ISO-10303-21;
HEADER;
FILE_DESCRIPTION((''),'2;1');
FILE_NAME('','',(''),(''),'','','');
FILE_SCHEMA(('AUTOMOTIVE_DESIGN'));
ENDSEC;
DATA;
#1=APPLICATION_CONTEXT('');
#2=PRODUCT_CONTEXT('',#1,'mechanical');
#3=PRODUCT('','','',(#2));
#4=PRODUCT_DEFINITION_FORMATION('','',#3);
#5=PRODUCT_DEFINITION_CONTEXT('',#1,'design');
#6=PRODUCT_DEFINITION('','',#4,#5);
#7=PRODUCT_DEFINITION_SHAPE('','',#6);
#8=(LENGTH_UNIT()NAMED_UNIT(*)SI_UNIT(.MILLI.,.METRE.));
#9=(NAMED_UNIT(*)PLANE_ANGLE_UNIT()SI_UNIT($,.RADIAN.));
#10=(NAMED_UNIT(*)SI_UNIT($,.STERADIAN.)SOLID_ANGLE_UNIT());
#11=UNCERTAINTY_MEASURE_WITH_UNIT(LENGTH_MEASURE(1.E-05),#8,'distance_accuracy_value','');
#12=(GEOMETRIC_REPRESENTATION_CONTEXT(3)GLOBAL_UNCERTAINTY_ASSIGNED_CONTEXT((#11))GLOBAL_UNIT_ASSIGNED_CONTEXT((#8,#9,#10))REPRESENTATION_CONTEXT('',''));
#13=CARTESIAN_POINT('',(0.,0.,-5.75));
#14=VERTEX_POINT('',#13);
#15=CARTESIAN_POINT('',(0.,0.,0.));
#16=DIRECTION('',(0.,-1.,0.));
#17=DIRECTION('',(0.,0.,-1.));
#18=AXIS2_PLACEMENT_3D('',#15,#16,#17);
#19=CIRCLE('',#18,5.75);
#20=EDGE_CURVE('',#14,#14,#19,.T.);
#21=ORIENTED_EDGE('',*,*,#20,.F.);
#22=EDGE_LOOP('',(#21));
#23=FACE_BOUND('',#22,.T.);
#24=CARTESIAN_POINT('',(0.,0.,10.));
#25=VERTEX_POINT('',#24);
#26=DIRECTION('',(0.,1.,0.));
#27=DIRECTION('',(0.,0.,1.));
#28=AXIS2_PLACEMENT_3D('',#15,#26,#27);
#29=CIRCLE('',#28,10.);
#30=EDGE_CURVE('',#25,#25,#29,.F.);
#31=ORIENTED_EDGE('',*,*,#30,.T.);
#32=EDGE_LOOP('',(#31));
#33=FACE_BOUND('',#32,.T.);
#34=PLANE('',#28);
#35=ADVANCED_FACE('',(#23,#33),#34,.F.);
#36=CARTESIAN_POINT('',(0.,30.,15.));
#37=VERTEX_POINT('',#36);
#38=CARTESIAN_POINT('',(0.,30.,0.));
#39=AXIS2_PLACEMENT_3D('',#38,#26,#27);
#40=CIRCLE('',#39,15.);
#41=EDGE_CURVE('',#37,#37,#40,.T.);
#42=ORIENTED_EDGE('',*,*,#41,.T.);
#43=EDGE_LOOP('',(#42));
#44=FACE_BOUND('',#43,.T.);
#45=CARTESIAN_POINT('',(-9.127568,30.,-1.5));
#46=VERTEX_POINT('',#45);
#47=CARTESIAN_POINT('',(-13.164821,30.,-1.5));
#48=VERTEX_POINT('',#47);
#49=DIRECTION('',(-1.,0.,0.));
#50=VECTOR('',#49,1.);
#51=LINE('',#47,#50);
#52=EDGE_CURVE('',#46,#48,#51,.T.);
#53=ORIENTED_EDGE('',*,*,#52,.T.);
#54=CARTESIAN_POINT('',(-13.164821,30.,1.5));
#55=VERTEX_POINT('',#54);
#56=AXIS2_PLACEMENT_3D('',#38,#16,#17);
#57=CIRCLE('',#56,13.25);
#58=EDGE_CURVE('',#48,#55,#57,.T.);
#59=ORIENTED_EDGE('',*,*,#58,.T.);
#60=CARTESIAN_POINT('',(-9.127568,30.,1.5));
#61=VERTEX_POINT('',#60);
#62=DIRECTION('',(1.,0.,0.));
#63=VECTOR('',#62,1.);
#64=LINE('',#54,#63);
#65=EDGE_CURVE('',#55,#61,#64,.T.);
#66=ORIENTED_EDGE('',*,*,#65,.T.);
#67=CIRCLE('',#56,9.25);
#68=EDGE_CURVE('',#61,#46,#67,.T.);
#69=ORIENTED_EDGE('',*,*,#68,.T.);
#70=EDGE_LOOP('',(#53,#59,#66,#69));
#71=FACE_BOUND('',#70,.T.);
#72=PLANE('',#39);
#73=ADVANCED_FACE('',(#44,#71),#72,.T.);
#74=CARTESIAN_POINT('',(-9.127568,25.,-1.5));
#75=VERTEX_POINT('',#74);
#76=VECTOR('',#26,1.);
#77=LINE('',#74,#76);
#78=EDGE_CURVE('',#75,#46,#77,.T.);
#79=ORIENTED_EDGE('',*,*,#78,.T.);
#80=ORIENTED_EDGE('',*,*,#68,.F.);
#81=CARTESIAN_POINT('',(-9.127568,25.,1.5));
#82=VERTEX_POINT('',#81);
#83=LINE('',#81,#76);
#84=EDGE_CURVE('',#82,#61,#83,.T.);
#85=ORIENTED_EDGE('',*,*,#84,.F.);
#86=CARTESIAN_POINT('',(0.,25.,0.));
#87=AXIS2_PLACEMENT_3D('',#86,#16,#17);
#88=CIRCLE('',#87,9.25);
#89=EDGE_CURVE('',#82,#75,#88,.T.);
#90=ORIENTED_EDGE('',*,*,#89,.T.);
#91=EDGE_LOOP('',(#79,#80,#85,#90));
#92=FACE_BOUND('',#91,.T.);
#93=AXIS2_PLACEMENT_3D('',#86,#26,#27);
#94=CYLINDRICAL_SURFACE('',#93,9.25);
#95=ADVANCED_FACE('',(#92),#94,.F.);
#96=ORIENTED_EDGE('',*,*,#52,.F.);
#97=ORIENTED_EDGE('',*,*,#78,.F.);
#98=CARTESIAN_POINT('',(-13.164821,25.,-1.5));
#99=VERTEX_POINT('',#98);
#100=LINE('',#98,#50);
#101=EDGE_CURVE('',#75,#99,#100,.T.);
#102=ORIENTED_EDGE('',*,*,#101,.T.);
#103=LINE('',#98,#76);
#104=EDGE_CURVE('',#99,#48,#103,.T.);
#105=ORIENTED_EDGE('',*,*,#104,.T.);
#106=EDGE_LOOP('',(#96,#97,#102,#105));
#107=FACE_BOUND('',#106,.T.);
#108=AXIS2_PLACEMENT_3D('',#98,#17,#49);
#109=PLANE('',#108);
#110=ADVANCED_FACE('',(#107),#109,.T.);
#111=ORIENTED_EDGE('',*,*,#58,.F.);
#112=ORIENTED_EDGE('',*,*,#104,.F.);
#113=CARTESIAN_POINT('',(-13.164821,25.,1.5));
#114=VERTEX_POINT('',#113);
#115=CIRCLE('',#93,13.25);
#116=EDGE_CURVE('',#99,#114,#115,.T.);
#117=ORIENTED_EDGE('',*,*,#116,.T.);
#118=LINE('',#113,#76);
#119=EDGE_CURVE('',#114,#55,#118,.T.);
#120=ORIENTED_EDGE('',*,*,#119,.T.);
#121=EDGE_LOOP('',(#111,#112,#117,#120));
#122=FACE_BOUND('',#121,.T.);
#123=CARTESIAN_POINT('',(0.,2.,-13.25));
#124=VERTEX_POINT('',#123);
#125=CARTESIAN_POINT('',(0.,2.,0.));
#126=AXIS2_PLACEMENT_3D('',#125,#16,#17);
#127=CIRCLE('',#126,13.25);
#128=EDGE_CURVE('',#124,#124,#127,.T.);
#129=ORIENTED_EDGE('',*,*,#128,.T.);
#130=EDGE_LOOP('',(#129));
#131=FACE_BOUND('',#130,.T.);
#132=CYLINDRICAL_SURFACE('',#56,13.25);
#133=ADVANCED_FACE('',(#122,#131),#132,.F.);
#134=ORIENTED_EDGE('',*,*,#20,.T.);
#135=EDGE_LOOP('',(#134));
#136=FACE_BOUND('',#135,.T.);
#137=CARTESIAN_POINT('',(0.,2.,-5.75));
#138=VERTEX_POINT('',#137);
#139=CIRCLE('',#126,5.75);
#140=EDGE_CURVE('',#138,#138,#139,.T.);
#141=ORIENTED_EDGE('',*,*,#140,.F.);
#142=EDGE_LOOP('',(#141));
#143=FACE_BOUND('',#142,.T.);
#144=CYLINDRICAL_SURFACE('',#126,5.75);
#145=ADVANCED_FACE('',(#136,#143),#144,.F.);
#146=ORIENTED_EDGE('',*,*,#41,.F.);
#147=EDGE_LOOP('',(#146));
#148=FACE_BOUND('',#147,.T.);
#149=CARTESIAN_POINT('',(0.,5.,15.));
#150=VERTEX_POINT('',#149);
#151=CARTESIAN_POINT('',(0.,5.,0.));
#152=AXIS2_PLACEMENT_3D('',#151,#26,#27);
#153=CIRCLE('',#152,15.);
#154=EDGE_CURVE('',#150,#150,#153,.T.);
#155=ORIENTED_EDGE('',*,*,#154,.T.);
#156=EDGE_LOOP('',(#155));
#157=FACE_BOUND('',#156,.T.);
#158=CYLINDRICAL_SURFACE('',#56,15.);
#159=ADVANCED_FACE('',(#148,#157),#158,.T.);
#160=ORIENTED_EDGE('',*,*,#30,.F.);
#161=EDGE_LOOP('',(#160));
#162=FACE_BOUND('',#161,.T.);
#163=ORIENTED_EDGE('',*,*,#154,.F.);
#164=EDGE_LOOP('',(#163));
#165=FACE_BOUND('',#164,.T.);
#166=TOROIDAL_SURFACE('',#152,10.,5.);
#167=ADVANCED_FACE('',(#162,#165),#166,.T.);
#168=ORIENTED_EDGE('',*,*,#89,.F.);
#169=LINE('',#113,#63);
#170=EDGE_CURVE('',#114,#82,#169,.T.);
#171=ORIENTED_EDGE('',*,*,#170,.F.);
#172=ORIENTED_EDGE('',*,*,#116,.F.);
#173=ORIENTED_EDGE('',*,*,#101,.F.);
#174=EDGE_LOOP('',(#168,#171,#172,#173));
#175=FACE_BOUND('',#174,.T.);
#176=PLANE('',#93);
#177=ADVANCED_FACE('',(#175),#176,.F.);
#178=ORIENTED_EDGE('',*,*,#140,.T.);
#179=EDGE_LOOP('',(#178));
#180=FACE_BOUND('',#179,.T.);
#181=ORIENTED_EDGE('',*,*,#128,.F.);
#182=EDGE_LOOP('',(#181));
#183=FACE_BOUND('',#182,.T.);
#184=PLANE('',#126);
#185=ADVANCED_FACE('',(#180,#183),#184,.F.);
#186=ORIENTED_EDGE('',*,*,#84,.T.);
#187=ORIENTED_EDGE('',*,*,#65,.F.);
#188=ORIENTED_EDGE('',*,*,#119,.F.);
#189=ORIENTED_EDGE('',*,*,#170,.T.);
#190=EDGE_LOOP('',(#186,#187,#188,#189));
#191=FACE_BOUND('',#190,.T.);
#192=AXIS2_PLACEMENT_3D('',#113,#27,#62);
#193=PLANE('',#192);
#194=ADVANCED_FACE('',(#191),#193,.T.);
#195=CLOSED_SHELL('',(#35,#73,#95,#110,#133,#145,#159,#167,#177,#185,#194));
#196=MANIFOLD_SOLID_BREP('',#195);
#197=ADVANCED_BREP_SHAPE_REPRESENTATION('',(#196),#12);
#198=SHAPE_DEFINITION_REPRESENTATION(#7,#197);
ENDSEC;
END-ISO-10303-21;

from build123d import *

# Parameters (mm, degrees)
SCHIZZO1_R                   = 15
ESTRUSIONE_ESTRUSIONE1_DEPTH = 30
SCHIZZO3_R                   = 5.75
TAGLIO_ESTRUSIONE1_DEPTH     = 2
SCHIZZO4_R                   = 13.25
TAGLIO_ESTRUSIONE2_DEPTH     = 36.128336141
ESTRUSIONE_ESTRUSIONE2_START = -5
ESTRUSIONE_ESTRUSIONE2_DEPTH = 5
RACCORDO1_R                  = 5


with BuildPart() as part:
    # Schizzo1 → Estrusione-Estrusione1 (new body)
    with BuildSketch(Plane(origin=(0, 0, 0), x_dir=(1, 0, 0), z_dir=(0, 1, 0))):
        with Locations(Location((0, 0, 0), (0, 0, 270))):
            Circle(SCHIZZO1_R)
    extrude(amount=ESTRUSIONE_ESTRUSIONE1_DEPTH)

    # Schizzo3 → Taglio-Estrusione1 (cut)
    with BuildSketch(Plane.XZ):
        with Locations(Location((0, 0, 0), (0, 0, 270))):
            Circle(SCHIZZO3_R)
    extrude(amount=-TAGLIO_ESTRUSIONE1_DEPTH, mode=Mode.SUBTRACT)

    # Schizzo4 → Taglio-Estrusione2 (cut, through all)
    with BuildSketch(Plane.XZ.offset(-2)):
        with Locations(Location((0, 0, 0), (0, 0, 270))):
            Circle(SCHIZZO4_R)
    extrude(amount=-TAGLIO_ESTRUSIONE2_DEPTH, mode=Mode.SUBTRACT)

    # Schizzo5 → Estrusione-Estrusione2 (add)
    with BuildSketch(Plane(origin=(0, 30, 0), x_dir=(1, 0, 0), z_dir=(0, 1, 0)).offset(ESTRUSIONE_ESTRUSIONE2_START)):
        with BuildLine():
            Line((-13.164820546, 1.5), (-9.127568132, 1.5))
            ThreePointArc((-9.127568132, 1.5), (-9.25, 0), (-9.127568132, -1.5))
            Line((-9.127568132, -1.5), (-13.164820546, -1.5))
            ThreePointArc((-13.164820546, -1.5), (-13.25, 0), (-13.164820546, 1.5))
        make_face()
    extrude(amount=ESTRUSIONE_ESTRUSIONE2_DEPTH)

    # Raccordo1
    raccordo1_edges = [part.edges().sort_by_distance(p)[0] for p in [
        (0, 0, -15),
    ]]
    fillet(raccordo1_edges, radius=RACCORDO1_R)


solid = part.part
